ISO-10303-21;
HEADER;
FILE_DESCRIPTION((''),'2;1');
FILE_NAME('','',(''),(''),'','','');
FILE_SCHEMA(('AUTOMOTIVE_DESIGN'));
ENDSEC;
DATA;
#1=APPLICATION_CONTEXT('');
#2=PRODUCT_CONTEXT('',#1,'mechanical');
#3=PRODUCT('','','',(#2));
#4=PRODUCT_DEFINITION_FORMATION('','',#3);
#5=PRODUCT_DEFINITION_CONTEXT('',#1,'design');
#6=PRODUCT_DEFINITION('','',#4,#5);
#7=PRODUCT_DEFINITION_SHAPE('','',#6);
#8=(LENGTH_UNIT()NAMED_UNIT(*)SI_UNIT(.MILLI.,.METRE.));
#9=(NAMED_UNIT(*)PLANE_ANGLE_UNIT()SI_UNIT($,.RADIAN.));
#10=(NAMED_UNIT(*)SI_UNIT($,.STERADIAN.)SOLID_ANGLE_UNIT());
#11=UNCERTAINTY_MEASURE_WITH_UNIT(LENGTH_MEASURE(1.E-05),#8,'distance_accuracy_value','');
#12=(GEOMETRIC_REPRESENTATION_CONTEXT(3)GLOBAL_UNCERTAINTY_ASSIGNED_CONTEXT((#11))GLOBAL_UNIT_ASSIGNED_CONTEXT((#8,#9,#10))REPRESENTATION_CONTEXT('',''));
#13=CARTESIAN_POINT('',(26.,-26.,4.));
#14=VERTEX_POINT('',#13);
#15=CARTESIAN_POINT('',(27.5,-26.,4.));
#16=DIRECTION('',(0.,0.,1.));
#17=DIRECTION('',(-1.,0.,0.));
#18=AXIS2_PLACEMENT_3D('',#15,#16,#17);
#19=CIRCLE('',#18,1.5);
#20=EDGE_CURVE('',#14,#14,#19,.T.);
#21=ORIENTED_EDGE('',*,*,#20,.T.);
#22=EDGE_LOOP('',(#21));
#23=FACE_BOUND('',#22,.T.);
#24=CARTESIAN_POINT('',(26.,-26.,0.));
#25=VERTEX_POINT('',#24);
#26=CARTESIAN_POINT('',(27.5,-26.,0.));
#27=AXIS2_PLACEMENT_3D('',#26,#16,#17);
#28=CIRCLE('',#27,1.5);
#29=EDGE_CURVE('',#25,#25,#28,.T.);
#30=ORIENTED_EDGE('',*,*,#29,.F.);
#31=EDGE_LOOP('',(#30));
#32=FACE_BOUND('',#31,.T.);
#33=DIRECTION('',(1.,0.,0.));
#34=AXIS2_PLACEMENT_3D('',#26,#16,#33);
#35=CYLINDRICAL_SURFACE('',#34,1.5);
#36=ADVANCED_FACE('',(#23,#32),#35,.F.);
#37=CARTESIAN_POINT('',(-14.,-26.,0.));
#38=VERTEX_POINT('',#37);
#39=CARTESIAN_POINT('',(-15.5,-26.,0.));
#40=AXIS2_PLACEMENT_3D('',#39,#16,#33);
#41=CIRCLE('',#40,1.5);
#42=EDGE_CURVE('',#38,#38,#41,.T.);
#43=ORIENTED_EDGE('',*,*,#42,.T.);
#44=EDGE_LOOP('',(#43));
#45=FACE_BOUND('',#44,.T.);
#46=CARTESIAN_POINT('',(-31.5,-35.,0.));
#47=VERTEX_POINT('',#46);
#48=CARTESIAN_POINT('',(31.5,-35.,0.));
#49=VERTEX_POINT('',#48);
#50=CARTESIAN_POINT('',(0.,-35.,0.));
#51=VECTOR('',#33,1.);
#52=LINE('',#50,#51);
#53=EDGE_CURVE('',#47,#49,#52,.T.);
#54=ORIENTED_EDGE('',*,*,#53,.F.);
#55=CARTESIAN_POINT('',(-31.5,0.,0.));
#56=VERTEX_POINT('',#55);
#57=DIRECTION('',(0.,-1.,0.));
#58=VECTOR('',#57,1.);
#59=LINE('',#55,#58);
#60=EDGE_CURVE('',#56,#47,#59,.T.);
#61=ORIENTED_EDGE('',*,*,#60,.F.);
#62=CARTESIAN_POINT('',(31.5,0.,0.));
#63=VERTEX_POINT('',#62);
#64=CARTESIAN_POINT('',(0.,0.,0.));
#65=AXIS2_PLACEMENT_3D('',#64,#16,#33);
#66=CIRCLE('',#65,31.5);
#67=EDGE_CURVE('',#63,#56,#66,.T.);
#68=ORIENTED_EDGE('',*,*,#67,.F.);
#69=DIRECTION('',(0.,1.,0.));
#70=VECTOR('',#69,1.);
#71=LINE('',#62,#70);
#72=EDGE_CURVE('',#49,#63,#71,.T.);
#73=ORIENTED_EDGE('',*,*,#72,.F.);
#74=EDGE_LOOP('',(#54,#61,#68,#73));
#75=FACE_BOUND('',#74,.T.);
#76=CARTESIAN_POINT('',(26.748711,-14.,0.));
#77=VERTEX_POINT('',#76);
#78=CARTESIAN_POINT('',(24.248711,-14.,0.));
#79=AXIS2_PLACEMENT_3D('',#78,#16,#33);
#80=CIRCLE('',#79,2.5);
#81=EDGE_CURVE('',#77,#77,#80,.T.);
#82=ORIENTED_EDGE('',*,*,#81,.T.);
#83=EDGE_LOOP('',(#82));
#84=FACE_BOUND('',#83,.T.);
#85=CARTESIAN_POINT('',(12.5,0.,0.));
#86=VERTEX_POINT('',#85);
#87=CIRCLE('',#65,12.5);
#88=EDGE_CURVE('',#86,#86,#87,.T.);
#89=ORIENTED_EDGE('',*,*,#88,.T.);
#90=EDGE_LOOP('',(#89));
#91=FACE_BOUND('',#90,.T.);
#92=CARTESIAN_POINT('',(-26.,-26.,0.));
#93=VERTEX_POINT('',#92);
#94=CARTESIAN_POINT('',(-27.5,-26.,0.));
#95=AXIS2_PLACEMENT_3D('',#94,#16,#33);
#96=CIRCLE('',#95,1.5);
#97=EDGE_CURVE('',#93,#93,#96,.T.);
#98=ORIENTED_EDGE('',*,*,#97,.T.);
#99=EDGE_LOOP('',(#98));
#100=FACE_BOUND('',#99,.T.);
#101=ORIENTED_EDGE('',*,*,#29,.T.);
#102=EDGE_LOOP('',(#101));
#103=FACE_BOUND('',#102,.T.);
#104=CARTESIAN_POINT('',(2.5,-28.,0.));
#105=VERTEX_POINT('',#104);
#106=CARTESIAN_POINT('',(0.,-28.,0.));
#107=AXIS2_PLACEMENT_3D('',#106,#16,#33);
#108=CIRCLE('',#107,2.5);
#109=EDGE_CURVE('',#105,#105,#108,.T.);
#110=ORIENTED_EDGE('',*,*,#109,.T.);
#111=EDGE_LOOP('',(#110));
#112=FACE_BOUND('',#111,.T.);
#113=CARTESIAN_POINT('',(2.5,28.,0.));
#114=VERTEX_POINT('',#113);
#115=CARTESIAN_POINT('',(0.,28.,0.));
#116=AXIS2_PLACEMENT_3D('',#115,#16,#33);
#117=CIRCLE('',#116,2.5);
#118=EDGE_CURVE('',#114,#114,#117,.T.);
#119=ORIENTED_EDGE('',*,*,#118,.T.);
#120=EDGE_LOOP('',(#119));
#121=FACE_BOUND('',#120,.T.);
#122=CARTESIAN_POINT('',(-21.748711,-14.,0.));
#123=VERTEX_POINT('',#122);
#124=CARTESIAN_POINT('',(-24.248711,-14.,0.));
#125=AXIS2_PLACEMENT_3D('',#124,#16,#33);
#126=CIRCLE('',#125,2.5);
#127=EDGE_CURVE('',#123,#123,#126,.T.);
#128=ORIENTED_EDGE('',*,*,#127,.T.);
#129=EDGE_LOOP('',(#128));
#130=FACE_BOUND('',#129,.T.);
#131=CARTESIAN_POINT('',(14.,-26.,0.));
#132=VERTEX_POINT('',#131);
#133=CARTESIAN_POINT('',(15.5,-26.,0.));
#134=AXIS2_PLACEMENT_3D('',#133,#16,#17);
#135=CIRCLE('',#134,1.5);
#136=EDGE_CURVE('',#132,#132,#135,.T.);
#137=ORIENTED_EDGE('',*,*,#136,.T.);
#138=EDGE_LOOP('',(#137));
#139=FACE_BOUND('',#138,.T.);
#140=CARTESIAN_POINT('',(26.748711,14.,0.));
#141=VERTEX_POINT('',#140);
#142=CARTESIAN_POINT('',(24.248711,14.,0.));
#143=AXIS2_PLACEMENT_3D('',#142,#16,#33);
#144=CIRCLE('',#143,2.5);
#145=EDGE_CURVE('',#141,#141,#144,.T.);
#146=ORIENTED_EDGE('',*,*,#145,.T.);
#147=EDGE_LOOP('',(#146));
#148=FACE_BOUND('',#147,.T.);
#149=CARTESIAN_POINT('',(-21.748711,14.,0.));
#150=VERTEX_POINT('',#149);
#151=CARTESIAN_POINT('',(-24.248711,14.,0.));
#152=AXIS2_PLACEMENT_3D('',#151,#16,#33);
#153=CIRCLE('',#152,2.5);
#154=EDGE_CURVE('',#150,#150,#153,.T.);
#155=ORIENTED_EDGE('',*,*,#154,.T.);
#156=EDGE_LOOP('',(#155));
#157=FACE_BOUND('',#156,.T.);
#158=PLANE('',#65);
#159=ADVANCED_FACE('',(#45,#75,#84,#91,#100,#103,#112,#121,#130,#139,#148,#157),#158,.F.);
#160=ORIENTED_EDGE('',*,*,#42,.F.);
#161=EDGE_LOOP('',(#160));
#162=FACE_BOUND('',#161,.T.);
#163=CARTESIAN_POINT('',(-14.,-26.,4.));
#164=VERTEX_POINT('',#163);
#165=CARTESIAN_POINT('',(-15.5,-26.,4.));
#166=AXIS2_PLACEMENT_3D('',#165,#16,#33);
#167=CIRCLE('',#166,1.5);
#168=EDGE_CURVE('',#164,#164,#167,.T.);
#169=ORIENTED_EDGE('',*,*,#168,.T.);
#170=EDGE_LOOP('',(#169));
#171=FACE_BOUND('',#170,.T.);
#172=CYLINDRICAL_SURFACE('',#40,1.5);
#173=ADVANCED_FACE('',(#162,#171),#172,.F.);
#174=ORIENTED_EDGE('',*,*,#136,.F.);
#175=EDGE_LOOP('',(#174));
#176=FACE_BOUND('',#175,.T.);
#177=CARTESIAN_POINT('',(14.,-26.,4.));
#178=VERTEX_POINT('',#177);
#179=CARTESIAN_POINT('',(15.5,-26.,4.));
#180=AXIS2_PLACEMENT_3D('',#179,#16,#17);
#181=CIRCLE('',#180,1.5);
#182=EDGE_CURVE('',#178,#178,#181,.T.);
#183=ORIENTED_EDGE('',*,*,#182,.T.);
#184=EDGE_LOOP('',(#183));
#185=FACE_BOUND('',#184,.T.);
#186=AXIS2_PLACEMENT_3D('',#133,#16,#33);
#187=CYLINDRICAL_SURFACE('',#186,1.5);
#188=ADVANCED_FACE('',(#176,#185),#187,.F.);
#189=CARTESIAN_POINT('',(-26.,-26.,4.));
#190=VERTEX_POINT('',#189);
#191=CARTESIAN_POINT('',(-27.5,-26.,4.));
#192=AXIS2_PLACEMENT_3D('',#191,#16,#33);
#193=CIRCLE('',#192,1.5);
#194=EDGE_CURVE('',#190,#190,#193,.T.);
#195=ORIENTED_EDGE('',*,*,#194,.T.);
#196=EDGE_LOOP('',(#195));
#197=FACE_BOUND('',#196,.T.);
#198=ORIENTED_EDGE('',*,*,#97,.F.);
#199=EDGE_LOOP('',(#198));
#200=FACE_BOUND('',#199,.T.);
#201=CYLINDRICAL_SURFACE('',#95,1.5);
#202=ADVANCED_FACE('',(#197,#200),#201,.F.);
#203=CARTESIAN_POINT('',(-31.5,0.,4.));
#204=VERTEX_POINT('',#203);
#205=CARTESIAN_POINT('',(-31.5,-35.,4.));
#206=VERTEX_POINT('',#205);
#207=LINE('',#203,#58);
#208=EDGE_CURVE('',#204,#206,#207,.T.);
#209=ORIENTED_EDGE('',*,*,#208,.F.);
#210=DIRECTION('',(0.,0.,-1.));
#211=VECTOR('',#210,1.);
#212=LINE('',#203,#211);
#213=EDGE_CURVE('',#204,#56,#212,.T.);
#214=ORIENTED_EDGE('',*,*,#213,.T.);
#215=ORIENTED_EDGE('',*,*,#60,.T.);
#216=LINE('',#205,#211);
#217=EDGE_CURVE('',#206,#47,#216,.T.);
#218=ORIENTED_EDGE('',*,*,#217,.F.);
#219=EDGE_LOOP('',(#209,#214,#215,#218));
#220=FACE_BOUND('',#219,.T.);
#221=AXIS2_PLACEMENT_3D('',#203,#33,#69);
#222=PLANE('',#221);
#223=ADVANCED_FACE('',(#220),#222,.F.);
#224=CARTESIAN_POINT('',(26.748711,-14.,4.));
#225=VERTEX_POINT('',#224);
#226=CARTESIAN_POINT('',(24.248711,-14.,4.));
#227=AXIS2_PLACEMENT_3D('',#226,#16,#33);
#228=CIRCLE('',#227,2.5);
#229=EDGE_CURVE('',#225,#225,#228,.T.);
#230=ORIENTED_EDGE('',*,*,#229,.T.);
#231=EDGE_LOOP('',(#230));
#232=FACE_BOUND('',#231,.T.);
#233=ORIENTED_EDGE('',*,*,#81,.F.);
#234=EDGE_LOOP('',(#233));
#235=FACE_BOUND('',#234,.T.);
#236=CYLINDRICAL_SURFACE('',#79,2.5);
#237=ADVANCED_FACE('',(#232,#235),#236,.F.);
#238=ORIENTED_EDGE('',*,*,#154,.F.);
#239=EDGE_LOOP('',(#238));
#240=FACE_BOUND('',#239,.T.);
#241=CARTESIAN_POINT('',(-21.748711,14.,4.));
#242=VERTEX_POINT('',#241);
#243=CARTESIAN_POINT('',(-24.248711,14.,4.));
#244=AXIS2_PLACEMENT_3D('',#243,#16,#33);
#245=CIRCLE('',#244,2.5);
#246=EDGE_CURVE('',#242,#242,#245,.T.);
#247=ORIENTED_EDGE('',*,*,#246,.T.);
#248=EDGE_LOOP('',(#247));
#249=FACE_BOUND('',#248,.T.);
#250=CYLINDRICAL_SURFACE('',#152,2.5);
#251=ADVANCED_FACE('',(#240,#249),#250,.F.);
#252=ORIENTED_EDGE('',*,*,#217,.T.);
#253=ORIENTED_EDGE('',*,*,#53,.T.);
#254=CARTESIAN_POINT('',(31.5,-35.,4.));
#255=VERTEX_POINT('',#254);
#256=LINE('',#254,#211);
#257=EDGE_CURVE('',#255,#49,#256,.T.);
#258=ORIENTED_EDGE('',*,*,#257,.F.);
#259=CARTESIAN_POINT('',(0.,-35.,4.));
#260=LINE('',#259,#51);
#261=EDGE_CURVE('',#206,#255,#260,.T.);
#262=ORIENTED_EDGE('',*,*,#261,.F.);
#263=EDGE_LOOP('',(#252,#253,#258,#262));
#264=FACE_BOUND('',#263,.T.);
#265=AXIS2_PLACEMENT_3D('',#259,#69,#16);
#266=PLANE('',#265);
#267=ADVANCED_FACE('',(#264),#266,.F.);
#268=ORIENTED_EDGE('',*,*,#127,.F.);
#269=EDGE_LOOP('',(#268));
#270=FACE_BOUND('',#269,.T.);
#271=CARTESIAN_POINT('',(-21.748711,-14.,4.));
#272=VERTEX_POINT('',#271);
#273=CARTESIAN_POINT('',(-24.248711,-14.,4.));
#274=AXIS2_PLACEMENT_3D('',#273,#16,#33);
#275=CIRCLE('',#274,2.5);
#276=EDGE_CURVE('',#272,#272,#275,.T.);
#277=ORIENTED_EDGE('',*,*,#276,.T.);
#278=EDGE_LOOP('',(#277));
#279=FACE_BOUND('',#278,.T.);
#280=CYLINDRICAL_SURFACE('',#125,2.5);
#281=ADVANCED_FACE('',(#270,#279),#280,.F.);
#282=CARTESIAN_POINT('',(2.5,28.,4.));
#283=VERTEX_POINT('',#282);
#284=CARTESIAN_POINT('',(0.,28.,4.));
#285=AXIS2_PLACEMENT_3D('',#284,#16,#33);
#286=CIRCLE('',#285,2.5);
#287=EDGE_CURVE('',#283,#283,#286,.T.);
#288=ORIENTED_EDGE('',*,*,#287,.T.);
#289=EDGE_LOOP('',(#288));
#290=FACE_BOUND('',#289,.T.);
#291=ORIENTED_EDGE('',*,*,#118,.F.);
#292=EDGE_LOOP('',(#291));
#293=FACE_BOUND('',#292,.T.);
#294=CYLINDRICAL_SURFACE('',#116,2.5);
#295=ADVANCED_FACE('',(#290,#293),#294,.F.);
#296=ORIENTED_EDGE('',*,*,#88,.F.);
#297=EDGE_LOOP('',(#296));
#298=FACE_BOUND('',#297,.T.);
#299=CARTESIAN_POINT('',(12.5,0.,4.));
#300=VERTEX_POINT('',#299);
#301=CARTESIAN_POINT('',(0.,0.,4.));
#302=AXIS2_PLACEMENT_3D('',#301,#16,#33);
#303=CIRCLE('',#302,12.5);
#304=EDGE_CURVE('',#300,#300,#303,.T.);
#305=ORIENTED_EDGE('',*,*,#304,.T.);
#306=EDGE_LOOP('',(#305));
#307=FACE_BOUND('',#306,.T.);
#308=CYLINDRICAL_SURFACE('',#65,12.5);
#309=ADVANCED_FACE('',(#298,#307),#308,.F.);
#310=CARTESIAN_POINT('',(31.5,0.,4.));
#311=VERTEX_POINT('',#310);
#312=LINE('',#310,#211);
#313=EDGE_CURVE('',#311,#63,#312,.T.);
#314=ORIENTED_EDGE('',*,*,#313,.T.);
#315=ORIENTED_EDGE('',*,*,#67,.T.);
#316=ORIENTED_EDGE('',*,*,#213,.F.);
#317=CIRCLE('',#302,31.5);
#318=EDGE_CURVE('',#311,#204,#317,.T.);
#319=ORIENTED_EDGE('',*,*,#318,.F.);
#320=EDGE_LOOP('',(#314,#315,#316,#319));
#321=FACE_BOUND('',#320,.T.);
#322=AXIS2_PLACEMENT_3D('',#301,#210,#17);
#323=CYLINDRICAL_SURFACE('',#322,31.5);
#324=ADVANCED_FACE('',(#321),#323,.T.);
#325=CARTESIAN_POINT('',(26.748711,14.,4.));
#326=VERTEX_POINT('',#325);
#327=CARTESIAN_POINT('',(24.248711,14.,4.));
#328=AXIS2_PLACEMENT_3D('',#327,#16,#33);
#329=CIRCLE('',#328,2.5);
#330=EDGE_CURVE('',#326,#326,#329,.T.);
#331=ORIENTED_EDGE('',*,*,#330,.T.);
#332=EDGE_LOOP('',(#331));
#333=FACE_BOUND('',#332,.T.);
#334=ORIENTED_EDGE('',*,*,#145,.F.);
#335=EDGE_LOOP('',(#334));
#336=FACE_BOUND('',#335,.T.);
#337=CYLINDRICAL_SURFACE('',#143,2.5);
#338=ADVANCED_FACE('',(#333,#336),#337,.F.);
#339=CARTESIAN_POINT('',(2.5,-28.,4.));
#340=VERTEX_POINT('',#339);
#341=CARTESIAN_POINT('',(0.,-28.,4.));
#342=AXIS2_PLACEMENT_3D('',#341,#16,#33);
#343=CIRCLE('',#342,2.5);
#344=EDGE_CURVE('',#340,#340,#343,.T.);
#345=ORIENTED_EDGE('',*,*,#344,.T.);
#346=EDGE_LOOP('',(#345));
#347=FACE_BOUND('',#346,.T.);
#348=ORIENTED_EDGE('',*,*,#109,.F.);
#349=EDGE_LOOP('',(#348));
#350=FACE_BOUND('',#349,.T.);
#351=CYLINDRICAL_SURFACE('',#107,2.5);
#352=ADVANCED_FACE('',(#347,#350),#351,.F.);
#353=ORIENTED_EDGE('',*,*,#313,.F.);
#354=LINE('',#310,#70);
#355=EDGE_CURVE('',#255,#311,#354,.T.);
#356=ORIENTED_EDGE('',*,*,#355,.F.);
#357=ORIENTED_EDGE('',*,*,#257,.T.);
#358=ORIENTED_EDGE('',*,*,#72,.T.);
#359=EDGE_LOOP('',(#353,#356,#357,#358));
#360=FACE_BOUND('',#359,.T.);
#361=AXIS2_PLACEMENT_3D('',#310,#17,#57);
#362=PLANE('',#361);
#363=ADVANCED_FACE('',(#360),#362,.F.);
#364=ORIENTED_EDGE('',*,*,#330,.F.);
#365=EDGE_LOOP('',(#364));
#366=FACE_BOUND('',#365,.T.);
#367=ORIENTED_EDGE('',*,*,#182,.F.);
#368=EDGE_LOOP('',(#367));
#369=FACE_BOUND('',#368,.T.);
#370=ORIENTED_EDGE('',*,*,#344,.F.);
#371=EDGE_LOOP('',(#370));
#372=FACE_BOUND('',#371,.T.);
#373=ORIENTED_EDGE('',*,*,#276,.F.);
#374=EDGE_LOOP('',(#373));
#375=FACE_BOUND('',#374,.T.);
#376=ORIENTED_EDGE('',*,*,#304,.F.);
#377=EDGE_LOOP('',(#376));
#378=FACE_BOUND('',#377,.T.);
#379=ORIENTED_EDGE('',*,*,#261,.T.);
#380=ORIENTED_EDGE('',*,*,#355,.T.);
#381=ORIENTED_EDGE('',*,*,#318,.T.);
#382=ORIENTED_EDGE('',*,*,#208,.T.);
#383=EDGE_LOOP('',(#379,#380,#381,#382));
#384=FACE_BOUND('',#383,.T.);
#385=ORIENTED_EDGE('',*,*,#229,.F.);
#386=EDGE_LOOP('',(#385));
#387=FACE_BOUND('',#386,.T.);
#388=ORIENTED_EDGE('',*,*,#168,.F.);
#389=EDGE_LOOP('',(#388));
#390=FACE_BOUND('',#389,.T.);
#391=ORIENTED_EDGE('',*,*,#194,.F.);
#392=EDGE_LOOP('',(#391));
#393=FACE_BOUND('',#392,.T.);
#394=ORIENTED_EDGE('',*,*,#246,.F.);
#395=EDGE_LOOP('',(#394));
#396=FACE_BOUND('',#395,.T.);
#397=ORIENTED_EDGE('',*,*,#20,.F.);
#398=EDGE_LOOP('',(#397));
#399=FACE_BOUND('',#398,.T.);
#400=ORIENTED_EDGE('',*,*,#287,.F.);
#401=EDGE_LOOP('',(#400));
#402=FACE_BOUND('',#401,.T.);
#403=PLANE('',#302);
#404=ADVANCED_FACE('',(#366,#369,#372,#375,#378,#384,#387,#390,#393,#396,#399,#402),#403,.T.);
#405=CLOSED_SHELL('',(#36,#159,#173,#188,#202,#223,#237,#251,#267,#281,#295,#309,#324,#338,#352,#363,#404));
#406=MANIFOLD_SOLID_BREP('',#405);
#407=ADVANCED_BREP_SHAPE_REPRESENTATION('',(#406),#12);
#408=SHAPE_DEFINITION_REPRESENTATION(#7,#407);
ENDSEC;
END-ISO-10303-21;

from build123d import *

# Parameters (mm, degrees)
SKETCH_1_R          = 31.5
EXTRUDE_1_DEPTH     = 4
SKETCH_2_R          = 12.5
SKETCH_2_R_2        = 2.5
CUT_EXTRUDE_1_DEPTH = 48.257274572
SKETCH_3_R          = 1.5
CUT_EXTRUDE_2_DEPTH = 48.257274572


with BuildPart() as part:
    # 草图1 → 凸台-拉伸1 (new body)
    with BuildSketch(Plane.XY):
        Circle(SKETCH_1_R)
        with BuildLine():
            ThreePointArc((31.5, 0), (0, -31.5), (-31.5, 0))
            Line((-31.5, 0), (-31.5, -35))
            Line((-31.5, -35), (31.5, -35))
            Line((31.5, -35), (31.5, 0))
        make_face()
    extrude(amount=EXTRUDE_1_DEPTH)

    # 草图2 → 切除-拉伸1 (cut, through all)
    with BuildSketch(Plane.XY.offset(4)):
        Circle(SKETCH_2_R)
        with Locations((0, 28)):
            Circle(SKETCH_2_R_2)
        with Locations((24.248711306, -14)):
            Circle(SKETCH_2_R_2)
        with Locations((-24.248711306, -14)):
            Circle(SKETCH_2_R_2)
        with Locations((0, -28)):
            Circle(SKETCH_2_R_2)
        with Locations((-24.248711306, 14)):
            Circle(SKETCH_2_R_2)
        with Locations((24.248711306, 14)):
            Circle(SKETCH_2_R_2)
    extrude(amount=-CUT_EXTRUDE_1_DEPTH, mode=Mode.SUBTRACT)

    # 草图3 → 切除-拉伸2 (cut, through all)
    with BuildSketch(Plane.XY.offset(4)):
        with Locations((-27.5, -26)):
            Circle(SKETCH_3_R)
        with Locations((-15.5, -26)):
            Circle(SKETCH_3_R)
        with Locations(Location((15.5, -26, 0), (0, 0, 180))):
            Circle(SKETCH_3_R)
        with Locations(Location((27.5, -26, 0), (0, 0, 180))):
            Circle(SKETCH_3_R)
    extrude(amount=-CUT_EXTRUDE_2_DEPTH, mode=Mode.SUBTRACT)


solid = part.part
